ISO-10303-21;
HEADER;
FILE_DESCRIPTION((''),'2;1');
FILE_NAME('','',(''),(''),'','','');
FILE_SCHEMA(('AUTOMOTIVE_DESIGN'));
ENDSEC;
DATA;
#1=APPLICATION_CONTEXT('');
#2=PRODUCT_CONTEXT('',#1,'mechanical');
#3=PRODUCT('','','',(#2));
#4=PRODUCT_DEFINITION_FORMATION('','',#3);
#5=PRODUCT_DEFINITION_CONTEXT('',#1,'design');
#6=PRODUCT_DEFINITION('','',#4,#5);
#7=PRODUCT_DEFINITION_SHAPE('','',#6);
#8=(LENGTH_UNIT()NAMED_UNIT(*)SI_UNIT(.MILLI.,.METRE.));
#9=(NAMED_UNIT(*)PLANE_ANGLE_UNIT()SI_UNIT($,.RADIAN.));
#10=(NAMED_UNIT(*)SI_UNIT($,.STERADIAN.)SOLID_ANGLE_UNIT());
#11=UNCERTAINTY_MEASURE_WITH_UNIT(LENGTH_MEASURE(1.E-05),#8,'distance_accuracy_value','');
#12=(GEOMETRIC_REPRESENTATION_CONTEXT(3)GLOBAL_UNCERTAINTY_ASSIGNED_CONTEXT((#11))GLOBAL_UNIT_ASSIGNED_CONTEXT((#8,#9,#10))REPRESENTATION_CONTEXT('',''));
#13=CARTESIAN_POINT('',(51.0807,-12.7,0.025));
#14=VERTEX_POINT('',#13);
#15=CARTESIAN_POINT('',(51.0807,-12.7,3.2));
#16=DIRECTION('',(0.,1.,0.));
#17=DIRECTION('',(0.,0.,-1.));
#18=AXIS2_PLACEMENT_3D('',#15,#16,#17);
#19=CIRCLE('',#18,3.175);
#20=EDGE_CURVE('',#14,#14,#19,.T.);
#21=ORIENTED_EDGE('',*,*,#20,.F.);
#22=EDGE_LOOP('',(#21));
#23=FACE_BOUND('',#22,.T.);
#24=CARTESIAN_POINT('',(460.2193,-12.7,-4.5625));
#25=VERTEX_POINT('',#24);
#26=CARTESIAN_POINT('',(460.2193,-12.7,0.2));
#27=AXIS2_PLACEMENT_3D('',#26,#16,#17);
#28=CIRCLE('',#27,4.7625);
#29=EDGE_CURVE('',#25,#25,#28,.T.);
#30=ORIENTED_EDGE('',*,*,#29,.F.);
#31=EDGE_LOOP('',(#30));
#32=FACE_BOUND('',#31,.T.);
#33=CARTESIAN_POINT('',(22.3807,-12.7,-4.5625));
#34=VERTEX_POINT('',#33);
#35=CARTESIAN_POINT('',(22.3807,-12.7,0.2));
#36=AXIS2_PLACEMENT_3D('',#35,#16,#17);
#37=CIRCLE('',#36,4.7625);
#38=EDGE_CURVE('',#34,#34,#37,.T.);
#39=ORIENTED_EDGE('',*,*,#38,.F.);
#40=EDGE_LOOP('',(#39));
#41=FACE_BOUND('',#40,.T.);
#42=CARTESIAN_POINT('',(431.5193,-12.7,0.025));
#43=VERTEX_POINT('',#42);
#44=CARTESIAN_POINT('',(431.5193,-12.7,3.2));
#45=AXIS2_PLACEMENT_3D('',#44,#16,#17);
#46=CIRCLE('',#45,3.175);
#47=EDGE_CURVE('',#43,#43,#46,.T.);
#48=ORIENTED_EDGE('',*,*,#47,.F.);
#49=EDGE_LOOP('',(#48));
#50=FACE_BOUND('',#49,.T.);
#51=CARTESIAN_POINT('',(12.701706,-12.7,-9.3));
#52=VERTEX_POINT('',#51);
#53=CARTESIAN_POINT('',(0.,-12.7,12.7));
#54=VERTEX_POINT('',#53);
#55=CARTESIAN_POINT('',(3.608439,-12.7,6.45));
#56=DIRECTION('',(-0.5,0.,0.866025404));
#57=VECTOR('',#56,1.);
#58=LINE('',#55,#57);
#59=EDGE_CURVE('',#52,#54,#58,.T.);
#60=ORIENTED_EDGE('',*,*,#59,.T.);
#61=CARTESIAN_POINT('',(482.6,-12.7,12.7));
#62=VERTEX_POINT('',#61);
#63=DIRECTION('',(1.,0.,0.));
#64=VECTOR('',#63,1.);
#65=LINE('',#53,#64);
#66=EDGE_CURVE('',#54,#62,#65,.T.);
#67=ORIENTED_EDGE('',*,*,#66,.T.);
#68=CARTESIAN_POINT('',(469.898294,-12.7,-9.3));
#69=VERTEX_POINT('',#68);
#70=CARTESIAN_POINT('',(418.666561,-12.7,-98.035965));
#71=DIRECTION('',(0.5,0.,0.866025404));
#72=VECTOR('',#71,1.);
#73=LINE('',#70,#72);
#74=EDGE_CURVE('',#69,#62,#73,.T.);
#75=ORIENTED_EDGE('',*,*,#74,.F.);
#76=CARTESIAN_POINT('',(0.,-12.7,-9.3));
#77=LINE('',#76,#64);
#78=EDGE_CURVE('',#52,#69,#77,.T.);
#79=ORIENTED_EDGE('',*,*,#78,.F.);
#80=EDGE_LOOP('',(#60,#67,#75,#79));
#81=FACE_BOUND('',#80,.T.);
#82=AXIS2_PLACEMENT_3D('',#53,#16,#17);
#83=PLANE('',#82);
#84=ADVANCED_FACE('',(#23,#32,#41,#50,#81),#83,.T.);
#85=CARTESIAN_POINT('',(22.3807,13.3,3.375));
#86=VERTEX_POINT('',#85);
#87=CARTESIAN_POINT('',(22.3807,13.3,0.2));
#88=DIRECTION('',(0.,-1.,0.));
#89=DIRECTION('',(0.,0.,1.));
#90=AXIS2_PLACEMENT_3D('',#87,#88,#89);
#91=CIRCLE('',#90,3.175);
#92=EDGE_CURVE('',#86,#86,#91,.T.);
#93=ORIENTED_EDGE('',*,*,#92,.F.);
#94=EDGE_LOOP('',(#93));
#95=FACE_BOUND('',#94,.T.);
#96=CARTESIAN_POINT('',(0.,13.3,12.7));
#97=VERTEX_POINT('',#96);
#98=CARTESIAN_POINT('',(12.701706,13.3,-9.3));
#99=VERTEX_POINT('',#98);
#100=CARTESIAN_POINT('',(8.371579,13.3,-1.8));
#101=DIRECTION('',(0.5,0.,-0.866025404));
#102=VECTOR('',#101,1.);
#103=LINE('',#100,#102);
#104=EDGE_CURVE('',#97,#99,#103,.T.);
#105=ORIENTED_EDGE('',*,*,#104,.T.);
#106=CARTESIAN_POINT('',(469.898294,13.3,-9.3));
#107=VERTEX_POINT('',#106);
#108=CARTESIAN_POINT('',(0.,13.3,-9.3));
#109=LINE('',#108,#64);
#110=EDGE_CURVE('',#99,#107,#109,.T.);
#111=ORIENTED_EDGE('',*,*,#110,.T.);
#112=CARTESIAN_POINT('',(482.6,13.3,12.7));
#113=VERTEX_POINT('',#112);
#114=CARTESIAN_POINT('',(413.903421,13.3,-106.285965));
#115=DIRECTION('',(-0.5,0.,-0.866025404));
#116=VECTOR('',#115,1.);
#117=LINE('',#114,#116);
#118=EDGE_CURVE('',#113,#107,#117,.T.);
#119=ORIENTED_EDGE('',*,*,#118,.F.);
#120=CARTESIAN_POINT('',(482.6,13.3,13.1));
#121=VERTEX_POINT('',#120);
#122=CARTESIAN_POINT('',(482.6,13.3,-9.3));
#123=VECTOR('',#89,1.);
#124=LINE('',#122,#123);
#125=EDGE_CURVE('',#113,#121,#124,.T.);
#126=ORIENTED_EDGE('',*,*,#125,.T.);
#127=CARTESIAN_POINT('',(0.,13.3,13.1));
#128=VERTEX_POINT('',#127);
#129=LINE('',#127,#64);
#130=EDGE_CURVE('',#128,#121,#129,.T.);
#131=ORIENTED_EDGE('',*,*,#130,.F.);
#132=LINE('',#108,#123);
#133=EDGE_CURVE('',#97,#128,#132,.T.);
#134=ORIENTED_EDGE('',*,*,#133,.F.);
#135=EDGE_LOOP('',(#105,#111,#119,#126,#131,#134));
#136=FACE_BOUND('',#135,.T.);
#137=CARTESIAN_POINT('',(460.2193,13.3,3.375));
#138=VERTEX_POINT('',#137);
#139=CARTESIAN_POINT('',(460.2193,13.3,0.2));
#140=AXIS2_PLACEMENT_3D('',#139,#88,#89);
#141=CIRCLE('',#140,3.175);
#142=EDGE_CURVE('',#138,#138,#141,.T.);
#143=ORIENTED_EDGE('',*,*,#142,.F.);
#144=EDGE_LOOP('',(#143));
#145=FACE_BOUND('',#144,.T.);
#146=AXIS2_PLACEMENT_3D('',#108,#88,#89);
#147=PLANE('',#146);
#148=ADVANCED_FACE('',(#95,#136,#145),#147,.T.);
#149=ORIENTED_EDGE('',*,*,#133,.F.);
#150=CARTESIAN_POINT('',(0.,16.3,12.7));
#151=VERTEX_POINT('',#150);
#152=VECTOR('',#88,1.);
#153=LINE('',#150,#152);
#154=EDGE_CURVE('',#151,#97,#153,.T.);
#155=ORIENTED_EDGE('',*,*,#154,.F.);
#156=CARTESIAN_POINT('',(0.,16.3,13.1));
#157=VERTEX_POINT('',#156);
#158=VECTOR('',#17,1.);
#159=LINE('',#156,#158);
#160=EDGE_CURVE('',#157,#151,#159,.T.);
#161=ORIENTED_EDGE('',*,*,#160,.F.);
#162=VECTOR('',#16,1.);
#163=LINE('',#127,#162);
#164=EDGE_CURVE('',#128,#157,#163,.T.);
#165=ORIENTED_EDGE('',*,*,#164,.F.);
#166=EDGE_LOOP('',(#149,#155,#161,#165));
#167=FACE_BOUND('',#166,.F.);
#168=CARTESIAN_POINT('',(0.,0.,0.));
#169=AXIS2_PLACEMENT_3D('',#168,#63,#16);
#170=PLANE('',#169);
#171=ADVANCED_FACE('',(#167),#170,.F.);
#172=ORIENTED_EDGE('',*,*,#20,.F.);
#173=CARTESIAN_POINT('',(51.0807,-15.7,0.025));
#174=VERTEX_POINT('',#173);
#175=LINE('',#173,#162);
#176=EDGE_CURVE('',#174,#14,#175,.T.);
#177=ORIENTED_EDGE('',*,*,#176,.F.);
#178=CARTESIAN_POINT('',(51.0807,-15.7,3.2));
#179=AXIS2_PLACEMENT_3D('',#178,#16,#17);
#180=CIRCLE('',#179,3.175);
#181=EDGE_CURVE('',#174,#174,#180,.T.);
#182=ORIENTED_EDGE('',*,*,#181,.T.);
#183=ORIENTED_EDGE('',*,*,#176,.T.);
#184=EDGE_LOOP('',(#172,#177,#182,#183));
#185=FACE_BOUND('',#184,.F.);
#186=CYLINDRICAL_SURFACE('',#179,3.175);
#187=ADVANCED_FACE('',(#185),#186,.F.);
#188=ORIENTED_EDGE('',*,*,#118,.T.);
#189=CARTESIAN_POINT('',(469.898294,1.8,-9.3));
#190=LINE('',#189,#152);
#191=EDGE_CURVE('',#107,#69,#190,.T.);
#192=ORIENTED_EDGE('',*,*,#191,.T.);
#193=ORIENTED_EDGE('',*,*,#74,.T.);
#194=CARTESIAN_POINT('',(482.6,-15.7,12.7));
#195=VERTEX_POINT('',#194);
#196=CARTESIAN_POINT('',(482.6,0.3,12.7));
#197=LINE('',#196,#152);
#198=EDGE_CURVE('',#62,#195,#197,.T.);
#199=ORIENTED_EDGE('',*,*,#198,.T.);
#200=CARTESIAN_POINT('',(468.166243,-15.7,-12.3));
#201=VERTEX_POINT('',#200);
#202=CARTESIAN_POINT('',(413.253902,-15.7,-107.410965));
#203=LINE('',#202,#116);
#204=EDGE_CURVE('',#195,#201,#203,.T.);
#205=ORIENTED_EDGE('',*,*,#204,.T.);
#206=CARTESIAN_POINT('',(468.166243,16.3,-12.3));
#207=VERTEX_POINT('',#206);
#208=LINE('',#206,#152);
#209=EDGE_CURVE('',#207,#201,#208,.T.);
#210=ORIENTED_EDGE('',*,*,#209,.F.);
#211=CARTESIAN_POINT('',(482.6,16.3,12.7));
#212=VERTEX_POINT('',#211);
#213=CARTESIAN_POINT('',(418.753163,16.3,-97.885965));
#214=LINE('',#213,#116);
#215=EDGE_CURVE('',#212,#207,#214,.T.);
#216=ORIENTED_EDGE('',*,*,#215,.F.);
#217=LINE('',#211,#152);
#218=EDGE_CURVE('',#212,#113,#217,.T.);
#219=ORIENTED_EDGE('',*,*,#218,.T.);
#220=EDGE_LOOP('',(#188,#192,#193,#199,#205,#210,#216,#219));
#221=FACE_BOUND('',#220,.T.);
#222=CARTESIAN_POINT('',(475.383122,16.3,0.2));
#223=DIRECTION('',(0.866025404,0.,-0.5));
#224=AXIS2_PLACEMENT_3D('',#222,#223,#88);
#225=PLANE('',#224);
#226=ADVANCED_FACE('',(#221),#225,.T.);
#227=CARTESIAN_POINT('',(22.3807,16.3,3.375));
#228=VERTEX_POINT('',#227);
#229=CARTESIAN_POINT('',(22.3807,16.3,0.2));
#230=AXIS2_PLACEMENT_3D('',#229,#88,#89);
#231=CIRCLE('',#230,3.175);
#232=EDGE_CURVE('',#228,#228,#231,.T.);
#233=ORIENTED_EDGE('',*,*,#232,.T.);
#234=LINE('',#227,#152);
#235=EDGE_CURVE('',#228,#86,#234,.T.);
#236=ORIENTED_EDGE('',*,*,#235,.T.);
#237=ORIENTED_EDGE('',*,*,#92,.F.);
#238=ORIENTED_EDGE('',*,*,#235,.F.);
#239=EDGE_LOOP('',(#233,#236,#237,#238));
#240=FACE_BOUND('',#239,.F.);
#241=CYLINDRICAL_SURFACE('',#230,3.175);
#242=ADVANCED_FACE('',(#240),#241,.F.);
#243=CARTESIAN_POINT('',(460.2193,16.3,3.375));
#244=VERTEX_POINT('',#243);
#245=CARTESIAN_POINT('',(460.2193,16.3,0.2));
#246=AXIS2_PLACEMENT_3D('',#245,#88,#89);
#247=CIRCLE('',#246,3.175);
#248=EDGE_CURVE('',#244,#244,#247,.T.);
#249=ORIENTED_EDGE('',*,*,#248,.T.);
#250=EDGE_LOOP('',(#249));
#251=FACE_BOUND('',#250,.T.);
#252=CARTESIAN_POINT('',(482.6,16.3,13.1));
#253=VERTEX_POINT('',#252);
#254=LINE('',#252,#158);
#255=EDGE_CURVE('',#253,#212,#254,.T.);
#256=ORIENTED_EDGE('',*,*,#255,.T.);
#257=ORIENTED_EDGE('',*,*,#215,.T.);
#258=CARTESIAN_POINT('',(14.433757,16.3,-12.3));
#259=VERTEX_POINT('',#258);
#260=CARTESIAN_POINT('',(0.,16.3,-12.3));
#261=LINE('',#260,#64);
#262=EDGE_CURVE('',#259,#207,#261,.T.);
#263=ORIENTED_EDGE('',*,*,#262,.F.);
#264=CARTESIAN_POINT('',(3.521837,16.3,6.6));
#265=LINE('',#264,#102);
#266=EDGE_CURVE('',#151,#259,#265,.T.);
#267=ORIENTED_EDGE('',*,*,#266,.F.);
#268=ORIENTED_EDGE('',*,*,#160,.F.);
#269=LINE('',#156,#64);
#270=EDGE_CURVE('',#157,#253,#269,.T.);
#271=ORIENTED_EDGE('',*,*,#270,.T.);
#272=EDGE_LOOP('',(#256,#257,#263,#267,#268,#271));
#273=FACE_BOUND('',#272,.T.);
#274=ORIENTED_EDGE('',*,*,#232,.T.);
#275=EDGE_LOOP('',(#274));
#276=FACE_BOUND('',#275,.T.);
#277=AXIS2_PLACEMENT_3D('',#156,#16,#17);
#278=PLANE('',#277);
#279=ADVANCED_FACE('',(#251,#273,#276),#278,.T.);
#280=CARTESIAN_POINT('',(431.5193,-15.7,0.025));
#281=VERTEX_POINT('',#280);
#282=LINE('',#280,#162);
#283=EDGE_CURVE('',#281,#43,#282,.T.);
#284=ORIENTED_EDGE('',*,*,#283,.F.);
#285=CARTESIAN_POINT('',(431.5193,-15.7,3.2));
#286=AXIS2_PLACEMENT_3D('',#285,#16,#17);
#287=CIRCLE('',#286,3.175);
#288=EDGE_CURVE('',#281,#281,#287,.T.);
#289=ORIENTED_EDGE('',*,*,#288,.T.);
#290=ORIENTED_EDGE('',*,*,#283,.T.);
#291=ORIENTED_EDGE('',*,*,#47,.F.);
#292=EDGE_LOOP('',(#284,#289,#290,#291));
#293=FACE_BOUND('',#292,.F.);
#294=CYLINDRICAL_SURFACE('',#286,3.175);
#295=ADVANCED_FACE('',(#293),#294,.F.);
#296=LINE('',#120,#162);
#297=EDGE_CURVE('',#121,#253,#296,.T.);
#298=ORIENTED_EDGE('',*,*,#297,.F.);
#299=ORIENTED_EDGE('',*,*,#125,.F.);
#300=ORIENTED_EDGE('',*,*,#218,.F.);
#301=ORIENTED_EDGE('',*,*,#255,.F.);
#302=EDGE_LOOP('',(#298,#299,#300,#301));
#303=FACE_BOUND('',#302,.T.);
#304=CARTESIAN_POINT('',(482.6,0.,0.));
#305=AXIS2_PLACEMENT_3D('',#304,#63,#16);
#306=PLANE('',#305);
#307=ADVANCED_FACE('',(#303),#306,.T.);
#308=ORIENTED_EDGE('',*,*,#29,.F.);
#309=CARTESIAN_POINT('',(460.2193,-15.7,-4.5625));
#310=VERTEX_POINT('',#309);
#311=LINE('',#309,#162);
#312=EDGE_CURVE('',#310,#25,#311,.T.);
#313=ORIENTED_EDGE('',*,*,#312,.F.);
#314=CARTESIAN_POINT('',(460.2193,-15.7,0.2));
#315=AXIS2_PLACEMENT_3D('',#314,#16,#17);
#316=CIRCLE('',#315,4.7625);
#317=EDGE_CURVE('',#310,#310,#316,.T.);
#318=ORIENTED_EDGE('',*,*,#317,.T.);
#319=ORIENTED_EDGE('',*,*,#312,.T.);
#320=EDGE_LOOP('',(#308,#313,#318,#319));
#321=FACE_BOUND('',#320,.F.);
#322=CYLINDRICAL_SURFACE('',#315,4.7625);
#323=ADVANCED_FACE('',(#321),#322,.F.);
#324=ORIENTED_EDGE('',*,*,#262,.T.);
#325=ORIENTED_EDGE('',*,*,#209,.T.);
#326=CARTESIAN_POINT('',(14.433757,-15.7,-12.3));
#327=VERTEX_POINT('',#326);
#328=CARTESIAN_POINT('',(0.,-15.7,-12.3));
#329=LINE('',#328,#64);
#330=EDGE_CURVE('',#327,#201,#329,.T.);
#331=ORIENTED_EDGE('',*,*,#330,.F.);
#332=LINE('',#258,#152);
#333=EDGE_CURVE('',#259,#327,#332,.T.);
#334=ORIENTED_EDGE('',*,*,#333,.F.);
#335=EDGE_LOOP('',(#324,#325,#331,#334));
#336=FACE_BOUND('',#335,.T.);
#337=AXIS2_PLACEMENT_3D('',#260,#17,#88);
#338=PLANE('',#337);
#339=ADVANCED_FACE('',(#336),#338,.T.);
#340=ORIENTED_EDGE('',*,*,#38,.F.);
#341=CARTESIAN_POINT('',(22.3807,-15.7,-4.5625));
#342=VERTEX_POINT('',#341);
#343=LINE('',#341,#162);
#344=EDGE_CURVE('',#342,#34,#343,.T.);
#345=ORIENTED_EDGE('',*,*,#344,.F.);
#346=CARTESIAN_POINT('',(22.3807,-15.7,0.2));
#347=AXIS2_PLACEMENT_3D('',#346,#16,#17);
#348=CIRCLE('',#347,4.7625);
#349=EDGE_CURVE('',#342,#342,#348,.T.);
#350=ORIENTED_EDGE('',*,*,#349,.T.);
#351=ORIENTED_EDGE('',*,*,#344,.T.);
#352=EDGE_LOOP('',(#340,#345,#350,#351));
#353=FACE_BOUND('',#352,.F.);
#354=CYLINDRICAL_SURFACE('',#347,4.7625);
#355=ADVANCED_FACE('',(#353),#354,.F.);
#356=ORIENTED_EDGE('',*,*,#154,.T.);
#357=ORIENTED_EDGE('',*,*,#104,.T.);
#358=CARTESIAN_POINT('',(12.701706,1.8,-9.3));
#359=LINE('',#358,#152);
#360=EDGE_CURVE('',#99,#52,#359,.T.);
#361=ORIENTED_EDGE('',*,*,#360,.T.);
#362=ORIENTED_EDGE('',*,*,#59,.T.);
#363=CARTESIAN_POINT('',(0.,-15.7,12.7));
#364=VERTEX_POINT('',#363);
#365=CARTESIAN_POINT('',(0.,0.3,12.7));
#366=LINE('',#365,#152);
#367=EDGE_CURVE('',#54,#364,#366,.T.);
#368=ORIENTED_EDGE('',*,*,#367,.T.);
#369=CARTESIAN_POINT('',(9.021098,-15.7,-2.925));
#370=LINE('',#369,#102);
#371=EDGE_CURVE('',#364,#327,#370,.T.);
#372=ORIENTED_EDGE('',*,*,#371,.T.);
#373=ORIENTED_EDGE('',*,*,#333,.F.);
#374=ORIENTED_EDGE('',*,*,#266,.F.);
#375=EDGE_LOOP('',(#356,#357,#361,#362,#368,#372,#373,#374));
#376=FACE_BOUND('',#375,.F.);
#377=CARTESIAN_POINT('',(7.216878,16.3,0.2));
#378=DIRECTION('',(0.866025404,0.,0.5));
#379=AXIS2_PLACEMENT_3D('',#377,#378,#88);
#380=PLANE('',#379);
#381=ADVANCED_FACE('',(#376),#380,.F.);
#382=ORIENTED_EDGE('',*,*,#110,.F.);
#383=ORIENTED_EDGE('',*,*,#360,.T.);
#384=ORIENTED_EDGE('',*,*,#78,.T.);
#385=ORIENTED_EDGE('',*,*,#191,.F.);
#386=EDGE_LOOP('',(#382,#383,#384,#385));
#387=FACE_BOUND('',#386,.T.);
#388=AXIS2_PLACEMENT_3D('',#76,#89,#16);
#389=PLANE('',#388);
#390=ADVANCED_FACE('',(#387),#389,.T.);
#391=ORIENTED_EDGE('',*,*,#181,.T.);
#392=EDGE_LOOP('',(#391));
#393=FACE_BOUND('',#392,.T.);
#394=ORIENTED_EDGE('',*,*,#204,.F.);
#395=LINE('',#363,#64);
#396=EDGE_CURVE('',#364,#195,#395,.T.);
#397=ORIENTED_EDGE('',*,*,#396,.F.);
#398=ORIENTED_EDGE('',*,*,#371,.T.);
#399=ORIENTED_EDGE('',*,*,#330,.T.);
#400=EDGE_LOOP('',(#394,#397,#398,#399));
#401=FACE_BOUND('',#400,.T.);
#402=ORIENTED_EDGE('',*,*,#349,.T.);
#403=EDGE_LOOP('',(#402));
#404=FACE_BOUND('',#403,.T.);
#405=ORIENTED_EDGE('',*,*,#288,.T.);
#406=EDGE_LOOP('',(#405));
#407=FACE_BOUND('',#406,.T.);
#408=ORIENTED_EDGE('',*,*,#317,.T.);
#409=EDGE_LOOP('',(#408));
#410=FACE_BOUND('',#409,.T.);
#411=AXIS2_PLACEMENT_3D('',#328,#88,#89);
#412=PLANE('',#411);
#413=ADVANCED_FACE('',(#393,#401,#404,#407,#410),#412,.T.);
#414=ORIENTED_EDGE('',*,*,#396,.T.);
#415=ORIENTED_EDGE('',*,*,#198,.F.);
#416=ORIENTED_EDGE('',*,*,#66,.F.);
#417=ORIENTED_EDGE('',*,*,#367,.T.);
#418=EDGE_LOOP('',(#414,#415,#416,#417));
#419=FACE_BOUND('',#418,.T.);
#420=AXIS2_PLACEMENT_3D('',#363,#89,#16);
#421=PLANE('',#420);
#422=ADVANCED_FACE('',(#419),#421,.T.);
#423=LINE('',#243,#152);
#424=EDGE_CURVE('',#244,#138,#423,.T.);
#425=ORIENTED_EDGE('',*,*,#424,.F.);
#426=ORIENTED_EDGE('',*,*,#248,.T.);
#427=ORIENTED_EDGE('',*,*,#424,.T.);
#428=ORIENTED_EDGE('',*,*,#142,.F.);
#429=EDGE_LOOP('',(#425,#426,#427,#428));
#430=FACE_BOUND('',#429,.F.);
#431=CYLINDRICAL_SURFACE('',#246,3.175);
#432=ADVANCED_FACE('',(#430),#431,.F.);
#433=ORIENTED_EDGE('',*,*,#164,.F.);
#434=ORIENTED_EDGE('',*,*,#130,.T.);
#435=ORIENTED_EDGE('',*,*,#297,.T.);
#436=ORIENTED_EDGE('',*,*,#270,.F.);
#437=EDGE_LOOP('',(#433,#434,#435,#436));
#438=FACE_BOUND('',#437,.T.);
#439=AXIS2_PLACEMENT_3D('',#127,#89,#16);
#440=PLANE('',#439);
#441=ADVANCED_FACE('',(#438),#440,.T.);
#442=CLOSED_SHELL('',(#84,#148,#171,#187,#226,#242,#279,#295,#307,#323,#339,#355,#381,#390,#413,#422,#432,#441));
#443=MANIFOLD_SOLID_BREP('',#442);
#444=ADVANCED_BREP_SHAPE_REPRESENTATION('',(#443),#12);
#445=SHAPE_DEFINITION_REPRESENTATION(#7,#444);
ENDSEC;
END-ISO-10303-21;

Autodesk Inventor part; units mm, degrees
ref_plane "YZ Plane" through (0, 0, 0) normal (1, 0, 0) x (0, 1, 0)
ref_plane "XZ Plane" through (0, 0, 0) normal (0, 1, 0) x (-1, 0, 0)
ref_plane "XY Plane" through (0, 0, 0) normal (0, 0, 1) x (1, 0, 0)
sketch "Sketch1" plane through (0, 0, 0) normal (1, 0, 0) x (0, 1, 0)
  line L0 (-15.7, 12.7) -> (-12.7, 12.7)
  line L1 (-12.7, 12.7) -> (-12.7, -9.3)
  line L2 (-12.7, -9.3) -> (13.3, -9.3)
  line L3 (13.3, -9.3) -> (13.3, 13.1)
  line L4 (13.3, 13.1) -> (16.3, 13.1)
  line L5 (16.3, 13.1) -> (16.3, -12.3)
  line L6 (16.3, -12.3) -> (-15.7, -12.3)
  line L7 (-15.7, -12.3) -> (-15.7, 12.7)
  point P0 (0, 0)
  point P1 (0.3, 0.2)
  dimension "d0" = 3
  dimension "d1" = 3
  dimension "d2" = 25
  dimension "d3" = 32
  dimension "d4" = 16
  dimension "d5" = 12.5
  dimension "d6" = 3
  dimension "d44" = 22.4
  dimension "d45" = 16.3
  dimension "d46" = 13.1
extrude "Extrusion1" add sketch "Sketch1" along normal blind 482.6
sketch "Sketch3" plane through (0.7366, -15.7, 12.7) normal (0, -1, 0) x (1, 0, 0)
  line L0 (0, 0) -> (14.6558, -25.4) projected
  line L1 (-0.7366, -25) -> (481.8634, -25) projected
  line L2 (466.471, -25.4) -> (481.1268, 0) projected
  line L3 (-0.7366, 0) -> (481.8634, 0) projected
  line L4 (7.3279, -12.7) -> (473.7989, -12.7) construction
  line L5 (14.4316, 0) -> (28.8566, -25) construction
  circle A0 centre (21.6441, -12.5) radius 4.7625
  line L6 (466.6952, 0) -> (452.2702, -25) construction
  circle A1 centre (459.4827, -12.5) radius 4.7625
  point P0 (-0.7366, -12.7)
  dimension "d18" = 12.5
  dimension "d19" = 9.525
  dimension "d20" = 12.5
  dimension "d21" = 9.525
hole "Access Hole" at (22.3807, -15.7, 0.2) at (460.2193, -15.7, 0.2) direction (0, 1, 0) diameter 9.525 depth 3 tip angle 118
sketch "Sketch4" plane through (0.7366, 16.3, 12.7) normal (0, 1, 0) x (1, 0, 0)
  circle A0 centre (21.6441, 12.5) radius 4.7625 projected
  circle A1 centre (459.4827, 12.5) radius 4.7625 projected
  circle A2 centre (21.6441, 12.5) radius 3.175
  circle A3 centre (459.4827, 12.5) radius 3.175
  point P0 (-0.7366, 12.7)
  dimension "d29" = 6.35
  dimension "d30" = 6.35
hole "Mounting Hole" at (22.3807, 16.3, 0.2) at (460.2193, 16.3, 0.2) direction (0, -1, 0) diameter 6.35 depth 3 tip angle 118
chamfer "Chamfer1" distance 25 angle 30 1 edges at (0, 0.3, -12.3) measured on face at (0, 4.6333, -11.3)
chamfer "Chamfer2" distance 25 angle 30 1 edges at (482.6, 0.3, -12.3) measured on face at (482.6, 4.6333, -11.3)
sketch "Sketch5" plane through (0, -15.7, 12.7) normal (0, -1, 0) x (1, 0, 0)
  circle A0 centre (22.3807, -12.5) radius 4.7625 projected
  circle A1 centre (460.2193, -12.5) radius 4.7625 projected
  line L0 (0, 0) -> (482.6, 0) projected
  line L1 (14.4338, -25) -> (468.1662, -25) projected
  line L2 (51.0807, 0) -> (51.0807, -25) construction
  line L3 (431.5193, 0) -> (431.5193, -25) construction
  circle A2 centre (431.5193, -9.5) radius 3.175
  circle A3 centre (51.0807, -9.5) radius 3.175
  point P0 (0, -12.7)
  dimension "d47" = 28.7
  dimension "d49" = 28.7
  dimension "d61" = 6.35
  dimension "d62" = 15.5
  dimension "d63" = 6.35
  dimension "d71" = 51.0807
hole "Hole4" at (51.0807, -15.7, 3.2) at (431.5193, -15.7, 3.2) direction (0, 1, 0) diameter 6.35 depth 3 tip angle 118
equation "\"d1\" = d0"
equation "\"d4\" = 0.5 * d3"
equation "\"d5\" = 0.5 * d2"
equation "\"d6\" = d0"
equation "\"d19\" = d21"
equation "\"d49\" = d47"
properties part number "19in c-channel-top"
